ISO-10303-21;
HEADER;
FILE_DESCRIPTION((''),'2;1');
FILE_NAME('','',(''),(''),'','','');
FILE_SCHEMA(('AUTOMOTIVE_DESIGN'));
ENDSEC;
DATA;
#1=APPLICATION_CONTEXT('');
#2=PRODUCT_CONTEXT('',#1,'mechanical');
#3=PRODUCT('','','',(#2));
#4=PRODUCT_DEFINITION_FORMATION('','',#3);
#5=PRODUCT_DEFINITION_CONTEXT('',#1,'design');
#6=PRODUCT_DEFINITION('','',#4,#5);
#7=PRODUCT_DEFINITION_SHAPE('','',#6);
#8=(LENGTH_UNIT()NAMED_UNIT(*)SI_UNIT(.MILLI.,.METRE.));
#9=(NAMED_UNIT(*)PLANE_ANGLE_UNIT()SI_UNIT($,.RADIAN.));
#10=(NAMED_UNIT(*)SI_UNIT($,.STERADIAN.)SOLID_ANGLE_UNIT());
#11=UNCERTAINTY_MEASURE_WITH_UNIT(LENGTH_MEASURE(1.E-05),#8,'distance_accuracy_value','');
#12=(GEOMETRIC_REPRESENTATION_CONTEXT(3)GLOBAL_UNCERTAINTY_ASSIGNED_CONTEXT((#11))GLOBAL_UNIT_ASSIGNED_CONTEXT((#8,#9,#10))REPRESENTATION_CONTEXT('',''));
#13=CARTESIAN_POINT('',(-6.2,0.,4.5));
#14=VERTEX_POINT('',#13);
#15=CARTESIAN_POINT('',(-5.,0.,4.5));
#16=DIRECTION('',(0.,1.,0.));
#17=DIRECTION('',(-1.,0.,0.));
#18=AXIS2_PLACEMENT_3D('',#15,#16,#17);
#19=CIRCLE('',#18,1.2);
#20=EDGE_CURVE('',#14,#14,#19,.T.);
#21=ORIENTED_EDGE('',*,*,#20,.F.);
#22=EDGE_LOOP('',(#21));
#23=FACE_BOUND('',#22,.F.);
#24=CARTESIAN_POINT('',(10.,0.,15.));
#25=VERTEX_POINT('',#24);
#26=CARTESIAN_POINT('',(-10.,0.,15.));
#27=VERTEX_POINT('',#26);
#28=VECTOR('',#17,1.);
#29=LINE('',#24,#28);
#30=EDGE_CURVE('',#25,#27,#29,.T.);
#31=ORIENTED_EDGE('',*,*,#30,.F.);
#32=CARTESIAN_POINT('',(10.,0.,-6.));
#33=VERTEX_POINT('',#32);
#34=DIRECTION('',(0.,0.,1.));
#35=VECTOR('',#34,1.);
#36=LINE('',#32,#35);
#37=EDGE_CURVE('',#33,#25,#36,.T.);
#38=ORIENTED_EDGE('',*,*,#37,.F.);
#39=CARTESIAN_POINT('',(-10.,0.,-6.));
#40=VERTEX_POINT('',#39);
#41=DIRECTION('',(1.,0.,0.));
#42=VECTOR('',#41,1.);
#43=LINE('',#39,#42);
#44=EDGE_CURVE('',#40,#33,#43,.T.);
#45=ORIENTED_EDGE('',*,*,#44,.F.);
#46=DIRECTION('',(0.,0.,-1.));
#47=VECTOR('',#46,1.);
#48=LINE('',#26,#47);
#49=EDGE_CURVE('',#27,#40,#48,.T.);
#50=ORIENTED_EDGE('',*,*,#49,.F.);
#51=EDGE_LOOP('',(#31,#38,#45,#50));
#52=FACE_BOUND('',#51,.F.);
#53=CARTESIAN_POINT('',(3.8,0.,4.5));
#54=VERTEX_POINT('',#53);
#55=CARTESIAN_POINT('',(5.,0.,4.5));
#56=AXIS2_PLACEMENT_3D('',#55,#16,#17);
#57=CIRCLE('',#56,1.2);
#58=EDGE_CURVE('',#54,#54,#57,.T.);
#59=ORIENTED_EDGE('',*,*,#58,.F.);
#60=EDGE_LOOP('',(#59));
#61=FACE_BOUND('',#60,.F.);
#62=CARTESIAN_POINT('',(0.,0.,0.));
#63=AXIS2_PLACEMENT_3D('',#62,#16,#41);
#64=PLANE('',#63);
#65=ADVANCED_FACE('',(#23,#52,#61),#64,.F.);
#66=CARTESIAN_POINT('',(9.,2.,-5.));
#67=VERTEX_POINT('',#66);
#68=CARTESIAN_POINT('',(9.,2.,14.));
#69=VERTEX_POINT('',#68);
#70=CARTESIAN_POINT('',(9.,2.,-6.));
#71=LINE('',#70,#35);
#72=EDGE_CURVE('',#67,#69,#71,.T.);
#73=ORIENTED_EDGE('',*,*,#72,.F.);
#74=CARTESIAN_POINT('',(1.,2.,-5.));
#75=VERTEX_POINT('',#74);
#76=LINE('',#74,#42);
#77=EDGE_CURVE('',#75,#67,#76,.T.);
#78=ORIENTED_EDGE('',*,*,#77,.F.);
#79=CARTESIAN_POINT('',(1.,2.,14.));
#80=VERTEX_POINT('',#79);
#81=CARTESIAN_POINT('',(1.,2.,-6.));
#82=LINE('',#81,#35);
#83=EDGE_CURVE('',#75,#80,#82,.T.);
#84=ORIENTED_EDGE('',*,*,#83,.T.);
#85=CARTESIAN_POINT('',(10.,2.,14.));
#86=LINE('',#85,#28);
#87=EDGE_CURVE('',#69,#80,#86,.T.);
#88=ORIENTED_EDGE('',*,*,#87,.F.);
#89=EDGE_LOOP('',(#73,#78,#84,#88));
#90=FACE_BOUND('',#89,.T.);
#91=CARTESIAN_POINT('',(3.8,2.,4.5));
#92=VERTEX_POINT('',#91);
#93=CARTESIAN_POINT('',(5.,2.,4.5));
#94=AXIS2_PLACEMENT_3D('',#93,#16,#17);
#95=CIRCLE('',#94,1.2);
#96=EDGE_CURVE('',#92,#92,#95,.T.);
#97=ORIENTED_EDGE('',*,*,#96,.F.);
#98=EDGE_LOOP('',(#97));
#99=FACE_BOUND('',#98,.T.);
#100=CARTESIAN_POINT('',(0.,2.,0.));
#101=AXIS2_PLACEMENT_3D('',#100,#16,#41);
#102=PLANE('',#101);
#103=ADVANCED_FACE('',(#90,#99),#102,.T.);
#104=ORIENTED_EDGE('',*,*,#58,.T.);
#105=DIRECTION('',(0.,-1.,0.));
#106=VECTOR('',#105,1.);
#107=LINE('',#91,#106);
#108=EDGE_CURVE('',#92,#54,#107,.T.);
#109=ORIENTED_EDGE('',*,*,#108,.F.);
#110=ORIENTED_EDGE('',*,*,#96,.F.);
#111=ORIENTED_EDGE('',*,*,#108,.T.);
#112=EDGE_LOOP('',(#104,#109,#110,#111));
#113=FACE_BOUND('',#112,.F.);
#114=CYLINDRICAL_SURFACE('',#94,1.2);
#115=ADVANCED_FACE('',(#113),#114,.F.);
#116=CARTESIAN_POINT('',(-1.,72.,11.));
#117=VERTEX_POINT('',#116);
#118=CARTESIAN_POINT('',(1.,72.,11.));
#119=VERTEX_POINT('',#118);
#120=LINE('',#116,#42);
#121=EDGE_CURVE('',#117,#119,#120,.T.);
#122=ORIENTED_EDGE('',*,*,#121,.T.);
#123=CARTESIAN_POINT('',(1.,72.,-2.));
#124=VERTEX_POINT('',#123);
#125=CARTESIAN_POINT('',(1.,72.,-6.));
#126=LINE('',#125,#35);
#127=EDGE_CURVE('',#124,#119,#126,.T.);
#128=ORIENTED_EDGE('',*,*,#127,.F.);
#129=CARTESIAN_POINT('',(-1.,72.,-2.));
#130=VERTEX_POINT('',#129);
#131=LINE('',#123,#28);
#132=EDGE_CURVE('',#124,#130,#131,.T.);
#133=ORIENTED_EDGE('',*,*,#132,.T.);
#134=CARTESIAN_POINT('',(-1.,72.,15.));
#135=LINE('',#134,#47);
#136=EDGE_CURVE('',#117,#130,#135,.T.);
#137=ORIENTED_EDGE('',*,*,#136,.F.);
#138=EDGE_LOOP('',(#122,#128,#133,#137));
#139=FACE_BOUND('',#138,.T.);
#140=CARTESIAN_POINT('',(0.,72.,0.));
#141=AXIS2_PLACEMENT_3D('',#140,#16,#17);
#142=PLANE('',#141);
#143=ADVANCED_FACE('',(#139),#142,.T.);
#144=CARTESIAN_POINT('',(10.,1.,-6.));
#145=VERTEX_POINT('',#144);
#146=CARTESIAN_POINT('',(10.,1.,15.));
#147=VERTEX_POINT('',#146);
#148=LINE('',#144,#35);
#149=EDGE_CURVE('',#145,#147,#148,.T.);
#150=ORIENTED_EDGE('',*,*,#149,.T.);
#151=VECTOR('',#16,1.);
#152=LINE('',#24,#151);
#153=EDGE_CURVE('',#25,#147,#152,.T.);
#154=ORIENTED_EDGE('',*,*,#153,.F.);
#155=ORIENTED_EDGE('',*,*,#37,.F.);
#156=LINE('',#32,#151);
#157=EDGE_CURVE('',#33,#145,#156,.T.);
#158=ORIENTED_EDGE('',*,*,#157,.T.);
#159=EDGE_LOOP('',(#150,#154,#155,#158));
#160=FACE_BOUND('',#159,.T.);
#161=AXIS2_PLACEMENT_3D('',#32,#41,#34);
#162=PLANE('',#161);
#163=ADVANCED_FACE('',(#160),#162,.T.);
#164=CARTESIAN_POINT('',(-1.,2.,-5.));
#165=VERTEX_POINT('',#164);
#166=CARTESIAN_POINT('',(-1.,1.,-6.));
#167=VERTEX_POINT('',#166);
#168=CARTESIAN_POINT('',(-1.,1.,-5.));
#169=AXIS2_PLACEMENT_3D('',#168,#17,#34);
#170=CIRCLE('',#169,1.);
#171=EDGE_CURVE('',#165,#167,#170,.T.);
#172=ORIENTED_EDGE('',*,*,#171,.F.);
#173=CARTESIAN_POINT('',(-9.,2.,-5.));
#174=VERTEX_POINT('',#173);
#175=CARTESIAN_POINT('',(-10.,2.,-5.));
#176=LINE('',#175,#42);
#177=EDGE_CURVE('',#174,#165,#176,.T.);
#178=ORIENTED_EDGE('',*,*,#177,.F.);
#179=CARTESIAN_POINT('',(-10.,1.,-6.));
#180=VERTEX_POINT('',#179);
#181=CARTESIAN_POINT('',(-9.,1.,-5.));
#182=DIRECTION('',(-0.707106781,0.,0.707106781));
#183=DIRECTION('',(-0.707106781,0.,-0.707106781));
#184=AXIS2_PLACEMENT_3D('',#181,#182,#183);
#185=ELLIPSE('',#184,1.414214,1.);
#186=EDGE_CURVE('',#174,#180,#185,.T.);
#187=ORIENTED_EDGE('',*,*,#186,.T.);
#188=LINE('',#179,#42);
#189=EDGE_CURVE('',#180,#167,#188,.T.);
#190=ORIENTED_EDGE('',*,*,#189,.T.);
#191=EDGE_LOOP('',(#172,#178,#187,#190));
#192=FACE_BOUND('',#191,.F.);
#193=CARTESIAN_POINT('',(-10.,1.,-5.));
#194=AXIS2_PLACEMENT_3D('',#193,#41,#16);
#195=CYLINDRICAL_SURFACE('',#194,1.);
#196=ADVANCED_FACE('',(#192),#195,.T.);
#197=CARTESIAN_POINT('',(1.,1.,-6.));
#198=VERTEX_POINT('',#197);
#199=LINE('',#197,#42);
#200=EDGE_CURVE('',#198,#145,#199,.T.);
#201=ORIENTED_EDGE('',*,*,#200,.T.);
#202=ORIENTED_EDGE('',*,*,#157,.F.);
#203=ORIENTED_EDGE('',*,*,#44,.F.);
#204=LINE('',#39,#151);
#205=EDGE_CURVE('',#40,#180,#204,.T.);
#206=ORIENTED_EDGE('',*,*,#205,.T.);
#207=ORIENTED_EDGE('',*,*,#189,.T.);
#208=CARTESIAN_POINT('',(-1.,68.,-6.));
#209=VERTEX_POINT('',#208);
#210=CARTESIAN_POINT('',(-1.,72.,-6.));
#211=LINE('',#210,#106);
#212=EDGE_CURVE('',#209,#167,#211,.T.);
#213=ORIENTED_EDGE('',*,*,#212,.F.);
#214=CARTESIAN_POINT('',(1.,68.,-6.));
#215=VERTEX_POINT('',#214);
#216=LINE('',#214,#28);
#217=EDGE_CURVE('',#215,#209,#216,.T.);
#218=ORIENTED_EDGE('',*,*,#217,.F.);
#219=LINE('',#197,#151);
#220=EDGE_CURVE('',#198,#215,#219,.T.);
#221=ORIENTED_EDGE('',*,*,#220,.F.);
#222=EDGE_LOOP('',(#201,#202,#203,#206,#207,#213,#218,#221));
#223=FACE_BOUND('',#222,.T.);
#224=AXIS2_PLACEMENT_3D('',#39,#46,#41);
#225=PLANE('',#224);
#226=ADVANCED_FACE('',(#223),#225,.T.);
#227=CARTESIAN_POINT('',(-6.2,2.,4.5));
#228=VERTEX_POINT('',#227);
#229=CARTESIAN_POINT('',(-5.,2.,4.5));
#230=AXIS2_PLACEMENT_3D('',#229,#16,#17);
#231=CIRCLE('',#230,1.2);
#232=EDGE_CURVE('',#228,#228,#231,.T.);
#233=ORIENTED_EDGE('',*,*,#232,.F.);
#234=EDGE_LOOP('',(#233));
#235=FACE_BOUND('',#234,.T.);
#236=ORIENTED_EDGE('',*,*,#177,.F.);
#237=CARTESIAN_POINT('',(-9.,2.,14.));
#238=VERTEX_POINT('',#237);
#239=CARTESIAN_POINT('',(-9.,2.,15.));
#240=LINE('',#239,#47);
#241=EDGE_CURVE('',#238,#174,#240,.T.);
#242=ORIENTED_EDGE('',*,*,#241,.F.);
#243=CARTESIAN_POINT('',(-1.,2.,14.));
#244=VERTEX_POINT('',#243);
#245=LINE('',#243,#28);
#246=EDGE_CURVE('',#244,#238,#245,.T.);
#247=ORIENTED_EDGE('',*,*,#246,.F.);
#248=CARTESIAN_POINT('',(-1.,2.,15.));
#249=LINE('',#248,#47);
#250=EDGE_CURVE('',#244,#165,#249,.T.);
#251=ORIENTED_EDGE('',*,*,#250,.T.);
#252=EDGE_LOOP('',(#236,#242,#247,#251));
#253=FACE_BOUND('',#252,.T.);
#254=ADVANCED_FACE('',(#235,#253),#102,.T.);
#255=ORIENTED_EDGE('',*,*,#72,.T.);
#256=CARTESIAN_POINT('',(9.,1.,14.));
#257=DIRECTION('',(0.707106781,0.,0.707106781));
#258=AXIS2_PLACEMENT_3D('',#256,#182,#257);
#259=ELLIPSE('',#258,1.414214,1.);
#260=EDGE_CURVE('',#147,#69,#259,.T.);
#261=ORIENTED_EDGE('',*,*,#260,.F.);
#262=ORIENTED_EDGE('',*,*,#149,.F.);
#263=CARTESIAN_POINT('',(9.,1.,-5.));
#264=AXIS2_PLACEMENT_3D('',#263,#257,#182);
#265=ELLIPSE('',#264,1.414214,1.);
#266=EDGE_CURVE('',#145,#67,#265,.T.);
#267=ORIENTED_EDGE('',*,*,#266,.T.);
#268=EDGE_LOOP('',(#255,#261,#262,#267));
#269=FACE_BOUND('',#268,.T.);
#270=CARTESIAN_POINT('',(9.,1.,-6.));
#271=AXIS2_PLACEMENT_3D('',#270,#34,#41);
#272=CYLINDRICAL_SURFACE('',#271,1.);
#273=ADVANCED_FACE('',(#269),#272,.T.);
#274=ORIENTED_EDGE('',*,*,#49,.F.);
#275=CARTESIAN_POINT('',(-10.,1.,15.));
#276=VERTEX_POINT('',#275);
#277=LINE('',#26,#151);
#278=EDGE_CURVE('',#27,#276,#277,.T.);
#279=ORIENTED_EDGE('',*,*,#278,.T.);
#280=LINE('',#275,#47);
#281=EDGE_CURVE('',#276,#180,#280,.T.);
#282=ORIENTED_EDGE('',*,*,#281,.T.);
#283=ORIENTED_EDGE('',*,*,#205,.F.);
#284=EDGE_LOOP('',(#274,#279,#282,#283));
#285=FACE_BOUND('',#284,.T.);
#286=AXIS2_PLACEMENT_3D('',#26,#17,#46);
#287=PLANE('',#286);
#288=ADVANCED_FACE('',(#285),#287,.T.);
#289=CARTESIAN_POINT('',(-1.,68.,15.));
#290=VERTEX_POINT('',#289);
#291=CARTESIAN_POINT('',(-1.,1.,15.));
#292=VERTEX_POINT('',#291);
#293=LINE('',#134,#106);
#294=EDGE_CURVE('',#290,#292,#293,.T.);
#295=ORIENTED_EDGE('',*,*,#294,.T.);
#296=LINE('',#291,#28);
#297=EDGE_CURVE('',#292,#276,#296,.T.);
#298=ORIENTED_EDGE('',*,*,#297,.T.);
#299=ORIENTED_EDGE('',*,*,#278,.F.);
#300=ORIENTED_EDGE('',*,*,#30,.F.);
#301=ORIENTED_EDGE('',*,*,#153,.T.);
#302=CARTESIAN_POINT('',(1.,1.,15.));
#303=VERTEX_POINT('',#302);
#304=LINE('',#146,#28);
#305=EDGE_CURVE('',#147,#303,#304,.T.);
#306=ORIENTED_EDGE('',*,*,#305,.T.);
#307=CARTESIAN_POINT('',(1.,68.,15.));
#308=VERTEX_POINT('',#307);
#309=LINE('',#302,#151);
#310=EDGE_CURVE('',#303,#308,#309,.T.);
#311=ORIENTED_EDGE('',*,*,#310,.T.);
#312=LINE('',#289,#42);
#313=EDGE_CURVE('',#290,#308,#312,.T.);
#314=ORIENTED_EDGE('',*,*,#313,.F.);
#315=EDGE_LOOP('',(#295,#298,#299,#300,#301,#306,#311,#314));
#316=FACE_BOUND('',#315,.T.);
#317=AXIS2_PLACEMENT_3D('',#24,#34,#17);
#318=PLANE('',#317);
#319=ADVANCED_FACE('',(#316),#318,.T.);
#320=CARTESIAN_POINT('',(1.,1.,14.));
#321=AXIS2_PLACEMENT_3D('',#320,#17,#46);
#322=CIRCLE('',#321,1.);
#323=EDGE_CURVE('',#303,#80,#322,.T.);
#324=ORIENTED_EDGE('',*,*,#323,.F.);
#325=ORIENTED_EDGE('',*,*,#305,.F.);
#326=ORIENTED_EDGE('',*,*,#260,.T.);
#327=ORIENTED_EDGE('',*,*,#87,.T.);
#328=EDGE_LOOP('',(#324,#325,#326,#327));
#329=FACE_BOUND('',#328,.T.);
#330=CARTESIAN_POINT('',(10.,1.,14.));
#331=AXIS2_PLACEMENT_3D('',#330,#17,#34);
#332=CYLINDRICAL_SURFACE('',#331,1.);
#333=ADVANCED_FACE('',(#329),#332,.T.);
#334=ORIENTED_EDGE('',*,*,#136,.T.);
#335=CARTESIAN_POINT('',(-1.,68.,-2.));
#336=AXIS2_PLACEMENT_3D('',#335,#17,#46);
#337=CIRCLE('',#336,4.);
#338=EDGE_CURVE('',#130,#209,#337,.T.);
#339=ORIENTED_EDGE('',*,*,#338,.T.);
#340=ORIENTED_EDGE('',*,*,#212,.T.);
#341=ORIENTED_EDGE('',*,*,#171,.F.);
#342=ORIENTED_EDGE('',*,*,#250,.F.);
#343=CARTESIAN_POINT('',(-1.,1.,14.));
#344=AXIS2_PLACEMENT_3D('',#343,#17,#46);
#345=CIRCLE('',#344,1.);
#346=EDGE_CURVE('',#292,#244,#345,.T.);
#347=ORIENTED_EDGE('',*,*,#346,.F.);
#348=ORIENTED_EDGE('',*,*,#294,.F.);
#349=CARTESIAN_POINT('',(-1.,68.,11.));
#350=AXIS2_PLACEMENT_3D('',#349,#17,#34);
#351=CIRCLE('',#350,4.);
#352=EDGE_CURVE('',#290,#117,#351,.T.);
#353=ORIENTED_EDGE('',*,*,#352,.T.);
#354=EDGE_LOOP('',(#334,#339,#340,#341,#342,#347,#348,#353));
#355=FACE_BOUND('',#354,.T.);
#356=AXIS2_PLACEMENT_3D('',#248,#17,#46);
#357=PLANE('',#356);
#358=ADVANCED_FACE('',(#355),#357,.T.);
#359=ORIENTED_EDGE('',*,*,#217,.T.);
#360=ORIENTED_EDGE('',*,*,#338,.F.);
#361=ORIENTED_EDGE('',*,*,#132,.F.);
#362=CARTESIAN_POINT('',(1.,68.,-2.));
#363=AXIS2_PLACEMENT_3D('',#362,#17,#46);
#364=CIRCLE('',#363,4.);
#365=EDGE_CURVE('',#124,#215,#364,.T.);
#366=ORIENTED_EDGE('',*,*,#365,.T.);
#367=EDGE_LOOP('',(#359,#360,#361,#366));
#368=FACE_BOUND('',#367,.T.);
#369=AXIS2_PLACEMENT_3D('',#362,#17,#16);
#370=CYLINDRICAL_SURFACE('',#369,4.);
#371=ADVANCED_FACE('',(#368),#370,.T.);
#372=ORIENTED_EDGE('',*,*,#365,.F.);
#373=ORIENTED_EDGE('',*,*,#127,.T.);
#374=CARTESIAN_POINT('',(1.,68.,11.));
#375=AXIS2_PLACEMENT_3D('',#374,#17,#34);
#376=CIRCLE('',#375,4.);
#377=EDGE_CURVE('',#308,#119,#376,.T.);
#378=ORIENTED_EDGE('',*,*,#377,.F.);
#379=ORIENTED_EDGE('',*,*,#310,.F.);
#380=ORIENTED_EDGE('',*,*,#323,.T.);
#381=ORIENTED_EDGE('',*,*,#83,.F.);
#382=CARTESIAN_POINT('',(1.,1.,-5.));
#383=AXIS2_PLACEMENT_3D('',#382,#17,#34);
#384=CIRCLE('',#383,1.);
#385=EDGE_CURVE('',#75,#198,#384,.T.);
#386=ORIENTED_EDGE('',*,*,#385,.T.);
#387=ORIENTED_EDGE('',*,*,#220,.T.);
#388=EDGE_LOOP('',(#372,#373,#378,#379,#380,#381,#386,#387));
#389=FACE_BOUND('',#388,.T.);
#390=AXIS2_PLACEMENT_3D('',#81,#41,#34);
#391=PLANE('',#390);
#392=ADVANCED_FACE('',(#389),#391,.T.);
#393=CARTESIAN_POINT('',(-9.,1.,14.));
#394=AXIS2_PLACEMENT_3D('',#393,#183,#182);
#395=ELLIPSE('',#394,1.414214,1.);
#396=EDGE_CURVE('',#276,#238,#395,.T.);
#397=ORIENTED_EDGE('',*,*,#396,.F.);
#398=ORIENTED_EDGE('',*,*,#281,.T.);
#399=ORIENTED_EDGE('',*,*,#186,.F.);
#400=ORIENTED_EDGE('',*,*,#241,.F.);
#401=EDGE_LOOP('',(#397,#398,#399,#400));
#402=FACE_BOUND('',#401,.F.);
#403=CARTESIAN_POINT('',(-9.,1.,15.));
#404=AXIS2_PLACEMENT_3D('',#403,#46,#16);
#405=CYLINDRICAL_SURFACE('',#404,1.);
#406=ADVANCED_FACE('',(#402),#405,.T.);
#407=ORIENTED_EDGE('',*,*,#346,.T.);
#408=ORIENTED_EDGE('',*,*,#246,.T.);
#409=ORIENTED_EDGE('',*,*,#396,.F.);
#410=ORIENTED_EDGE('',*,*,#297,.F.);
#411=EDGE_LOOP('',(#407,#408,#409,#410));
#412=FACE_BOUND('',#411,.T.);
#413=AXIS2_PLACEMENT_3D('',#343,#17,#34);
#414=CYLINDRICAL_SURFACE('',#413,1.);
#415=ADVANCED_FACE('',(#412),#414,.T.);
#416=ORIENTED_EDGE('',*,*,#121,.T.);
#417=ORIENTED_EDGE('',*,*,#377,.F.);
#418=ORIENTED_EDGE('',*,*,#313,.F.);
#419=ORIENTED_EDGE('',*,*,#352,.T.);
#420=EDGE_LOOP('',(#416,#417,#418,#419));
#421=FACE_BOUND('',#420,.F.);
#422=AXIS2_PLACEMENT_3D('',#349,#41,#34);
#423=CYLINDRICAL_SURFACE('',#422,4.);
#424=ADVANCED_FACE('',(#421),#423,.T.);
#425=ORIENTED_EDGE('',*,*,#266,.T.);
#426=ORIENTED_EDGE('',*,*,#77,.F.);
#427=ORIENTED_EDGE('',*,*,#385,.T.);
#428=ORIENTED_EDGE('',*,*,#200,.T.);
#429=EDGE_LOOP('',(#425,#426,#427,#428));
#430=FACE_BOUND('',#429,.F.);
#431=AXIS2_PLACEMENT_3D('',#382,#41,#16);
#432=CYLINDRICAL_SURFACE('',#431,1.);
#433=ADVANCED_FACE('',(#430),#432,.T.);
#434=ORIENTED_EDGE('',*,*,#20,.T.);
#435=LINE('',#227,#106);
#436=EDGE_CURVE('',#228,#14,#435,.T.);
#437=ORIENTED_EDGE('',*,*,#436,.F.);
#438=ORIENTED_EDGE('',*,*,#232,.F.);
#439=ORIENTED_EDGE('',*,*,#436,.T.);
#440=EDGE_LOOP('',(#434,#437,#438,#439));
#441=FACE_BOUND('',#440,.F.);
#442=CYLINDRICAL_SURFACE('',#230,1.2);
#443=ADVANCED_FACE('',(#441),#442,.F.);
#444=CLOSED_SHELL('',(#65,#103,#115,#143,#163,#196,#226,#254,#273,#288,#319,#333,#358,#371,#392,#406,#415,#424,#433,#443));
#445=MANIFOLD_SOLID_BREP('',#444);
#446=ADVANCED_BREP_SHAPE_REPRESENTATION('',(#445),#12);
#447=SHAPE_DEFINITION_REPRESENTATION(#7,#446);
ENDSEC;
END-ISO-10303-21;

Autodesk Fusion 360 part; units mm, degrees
sketch "Sketch1" plane through (0, 0, 0) normal (0, 1, 0) x (1, 0, 0)
  line L0 (10, -15) -> (-10, -15)
  line L1 (-10, -15) -> (-10, 6)
  line L2 (-10, 6) -> (10, 6)
  line L3 (10, 6) -> (10, -15)
  dimension "d1" = 21
  dimension "d2" = 20
extrude "Extrude1" add sketch "Sketch1" along normal blind 2
sketch "Sketch2" plane through (0, 2, 0) normal (0, 1, 0) x (-1, 0, 0)
  line L0 (-10, -6) -> (10, -6)
  line L1 (10, -6) -> (10, 15)
  line L2 (10, 15) -> (-10, 15)
  line L3 (-10, 15) -> (-10, -6)
  line L4 (-1, 15) -> (1, 15)
  line L5 (1, 15) -> (1, -6)
  line L6 (1, -6) -> (-1, -6)
  line L7 (-1, -6) -> (-1, 15)
  dimension "d5" = 2
  dimension "d6" = 9
extrude "Extrude2" add sketch "Sketch2" along normal blind 70 contours L0 L2 L4 L5 L6 L7
sketch "Sketch3" plane through (0, 2, 0) normal (0, 1, 0) x (-1, 0, 0)
  line L0 (-1, -6) -> (-1, 15)
  line L1 (-1, 15) -> (-10, 15)
  line L2 (-10, 15) -> (-10, -6)
  line L3 (-10, -6) -> (-1, -6)
  circle A0 centre (-5, 4.5) radius 1.2
  circle A1 centre (5, 4.5) radius 1.2
  line L4 (10, 15) -> (1, 15)
  dimension "d9" = 2.4
  dimension "d10" = 2.4
  dimension "d11" = 10.5
  dimension "d12" = 10.5
  dimension "d19" = 10
extrude "Extrude3" cut sketch "Sketch3" against normal blind 2 contours A0 | A1
fillet "Fillet1" radius 1 6 edges at (10, 2, 4.5) (5.5, 2, 15) (-5.5, 2, 15) (-10, 2, 4.5) (-5.5, 2, -6) (5.5, 2, -6)
fillet "Fillet2" radius 4 2 edges at (0, 72, 15) (0, 72, -6)
